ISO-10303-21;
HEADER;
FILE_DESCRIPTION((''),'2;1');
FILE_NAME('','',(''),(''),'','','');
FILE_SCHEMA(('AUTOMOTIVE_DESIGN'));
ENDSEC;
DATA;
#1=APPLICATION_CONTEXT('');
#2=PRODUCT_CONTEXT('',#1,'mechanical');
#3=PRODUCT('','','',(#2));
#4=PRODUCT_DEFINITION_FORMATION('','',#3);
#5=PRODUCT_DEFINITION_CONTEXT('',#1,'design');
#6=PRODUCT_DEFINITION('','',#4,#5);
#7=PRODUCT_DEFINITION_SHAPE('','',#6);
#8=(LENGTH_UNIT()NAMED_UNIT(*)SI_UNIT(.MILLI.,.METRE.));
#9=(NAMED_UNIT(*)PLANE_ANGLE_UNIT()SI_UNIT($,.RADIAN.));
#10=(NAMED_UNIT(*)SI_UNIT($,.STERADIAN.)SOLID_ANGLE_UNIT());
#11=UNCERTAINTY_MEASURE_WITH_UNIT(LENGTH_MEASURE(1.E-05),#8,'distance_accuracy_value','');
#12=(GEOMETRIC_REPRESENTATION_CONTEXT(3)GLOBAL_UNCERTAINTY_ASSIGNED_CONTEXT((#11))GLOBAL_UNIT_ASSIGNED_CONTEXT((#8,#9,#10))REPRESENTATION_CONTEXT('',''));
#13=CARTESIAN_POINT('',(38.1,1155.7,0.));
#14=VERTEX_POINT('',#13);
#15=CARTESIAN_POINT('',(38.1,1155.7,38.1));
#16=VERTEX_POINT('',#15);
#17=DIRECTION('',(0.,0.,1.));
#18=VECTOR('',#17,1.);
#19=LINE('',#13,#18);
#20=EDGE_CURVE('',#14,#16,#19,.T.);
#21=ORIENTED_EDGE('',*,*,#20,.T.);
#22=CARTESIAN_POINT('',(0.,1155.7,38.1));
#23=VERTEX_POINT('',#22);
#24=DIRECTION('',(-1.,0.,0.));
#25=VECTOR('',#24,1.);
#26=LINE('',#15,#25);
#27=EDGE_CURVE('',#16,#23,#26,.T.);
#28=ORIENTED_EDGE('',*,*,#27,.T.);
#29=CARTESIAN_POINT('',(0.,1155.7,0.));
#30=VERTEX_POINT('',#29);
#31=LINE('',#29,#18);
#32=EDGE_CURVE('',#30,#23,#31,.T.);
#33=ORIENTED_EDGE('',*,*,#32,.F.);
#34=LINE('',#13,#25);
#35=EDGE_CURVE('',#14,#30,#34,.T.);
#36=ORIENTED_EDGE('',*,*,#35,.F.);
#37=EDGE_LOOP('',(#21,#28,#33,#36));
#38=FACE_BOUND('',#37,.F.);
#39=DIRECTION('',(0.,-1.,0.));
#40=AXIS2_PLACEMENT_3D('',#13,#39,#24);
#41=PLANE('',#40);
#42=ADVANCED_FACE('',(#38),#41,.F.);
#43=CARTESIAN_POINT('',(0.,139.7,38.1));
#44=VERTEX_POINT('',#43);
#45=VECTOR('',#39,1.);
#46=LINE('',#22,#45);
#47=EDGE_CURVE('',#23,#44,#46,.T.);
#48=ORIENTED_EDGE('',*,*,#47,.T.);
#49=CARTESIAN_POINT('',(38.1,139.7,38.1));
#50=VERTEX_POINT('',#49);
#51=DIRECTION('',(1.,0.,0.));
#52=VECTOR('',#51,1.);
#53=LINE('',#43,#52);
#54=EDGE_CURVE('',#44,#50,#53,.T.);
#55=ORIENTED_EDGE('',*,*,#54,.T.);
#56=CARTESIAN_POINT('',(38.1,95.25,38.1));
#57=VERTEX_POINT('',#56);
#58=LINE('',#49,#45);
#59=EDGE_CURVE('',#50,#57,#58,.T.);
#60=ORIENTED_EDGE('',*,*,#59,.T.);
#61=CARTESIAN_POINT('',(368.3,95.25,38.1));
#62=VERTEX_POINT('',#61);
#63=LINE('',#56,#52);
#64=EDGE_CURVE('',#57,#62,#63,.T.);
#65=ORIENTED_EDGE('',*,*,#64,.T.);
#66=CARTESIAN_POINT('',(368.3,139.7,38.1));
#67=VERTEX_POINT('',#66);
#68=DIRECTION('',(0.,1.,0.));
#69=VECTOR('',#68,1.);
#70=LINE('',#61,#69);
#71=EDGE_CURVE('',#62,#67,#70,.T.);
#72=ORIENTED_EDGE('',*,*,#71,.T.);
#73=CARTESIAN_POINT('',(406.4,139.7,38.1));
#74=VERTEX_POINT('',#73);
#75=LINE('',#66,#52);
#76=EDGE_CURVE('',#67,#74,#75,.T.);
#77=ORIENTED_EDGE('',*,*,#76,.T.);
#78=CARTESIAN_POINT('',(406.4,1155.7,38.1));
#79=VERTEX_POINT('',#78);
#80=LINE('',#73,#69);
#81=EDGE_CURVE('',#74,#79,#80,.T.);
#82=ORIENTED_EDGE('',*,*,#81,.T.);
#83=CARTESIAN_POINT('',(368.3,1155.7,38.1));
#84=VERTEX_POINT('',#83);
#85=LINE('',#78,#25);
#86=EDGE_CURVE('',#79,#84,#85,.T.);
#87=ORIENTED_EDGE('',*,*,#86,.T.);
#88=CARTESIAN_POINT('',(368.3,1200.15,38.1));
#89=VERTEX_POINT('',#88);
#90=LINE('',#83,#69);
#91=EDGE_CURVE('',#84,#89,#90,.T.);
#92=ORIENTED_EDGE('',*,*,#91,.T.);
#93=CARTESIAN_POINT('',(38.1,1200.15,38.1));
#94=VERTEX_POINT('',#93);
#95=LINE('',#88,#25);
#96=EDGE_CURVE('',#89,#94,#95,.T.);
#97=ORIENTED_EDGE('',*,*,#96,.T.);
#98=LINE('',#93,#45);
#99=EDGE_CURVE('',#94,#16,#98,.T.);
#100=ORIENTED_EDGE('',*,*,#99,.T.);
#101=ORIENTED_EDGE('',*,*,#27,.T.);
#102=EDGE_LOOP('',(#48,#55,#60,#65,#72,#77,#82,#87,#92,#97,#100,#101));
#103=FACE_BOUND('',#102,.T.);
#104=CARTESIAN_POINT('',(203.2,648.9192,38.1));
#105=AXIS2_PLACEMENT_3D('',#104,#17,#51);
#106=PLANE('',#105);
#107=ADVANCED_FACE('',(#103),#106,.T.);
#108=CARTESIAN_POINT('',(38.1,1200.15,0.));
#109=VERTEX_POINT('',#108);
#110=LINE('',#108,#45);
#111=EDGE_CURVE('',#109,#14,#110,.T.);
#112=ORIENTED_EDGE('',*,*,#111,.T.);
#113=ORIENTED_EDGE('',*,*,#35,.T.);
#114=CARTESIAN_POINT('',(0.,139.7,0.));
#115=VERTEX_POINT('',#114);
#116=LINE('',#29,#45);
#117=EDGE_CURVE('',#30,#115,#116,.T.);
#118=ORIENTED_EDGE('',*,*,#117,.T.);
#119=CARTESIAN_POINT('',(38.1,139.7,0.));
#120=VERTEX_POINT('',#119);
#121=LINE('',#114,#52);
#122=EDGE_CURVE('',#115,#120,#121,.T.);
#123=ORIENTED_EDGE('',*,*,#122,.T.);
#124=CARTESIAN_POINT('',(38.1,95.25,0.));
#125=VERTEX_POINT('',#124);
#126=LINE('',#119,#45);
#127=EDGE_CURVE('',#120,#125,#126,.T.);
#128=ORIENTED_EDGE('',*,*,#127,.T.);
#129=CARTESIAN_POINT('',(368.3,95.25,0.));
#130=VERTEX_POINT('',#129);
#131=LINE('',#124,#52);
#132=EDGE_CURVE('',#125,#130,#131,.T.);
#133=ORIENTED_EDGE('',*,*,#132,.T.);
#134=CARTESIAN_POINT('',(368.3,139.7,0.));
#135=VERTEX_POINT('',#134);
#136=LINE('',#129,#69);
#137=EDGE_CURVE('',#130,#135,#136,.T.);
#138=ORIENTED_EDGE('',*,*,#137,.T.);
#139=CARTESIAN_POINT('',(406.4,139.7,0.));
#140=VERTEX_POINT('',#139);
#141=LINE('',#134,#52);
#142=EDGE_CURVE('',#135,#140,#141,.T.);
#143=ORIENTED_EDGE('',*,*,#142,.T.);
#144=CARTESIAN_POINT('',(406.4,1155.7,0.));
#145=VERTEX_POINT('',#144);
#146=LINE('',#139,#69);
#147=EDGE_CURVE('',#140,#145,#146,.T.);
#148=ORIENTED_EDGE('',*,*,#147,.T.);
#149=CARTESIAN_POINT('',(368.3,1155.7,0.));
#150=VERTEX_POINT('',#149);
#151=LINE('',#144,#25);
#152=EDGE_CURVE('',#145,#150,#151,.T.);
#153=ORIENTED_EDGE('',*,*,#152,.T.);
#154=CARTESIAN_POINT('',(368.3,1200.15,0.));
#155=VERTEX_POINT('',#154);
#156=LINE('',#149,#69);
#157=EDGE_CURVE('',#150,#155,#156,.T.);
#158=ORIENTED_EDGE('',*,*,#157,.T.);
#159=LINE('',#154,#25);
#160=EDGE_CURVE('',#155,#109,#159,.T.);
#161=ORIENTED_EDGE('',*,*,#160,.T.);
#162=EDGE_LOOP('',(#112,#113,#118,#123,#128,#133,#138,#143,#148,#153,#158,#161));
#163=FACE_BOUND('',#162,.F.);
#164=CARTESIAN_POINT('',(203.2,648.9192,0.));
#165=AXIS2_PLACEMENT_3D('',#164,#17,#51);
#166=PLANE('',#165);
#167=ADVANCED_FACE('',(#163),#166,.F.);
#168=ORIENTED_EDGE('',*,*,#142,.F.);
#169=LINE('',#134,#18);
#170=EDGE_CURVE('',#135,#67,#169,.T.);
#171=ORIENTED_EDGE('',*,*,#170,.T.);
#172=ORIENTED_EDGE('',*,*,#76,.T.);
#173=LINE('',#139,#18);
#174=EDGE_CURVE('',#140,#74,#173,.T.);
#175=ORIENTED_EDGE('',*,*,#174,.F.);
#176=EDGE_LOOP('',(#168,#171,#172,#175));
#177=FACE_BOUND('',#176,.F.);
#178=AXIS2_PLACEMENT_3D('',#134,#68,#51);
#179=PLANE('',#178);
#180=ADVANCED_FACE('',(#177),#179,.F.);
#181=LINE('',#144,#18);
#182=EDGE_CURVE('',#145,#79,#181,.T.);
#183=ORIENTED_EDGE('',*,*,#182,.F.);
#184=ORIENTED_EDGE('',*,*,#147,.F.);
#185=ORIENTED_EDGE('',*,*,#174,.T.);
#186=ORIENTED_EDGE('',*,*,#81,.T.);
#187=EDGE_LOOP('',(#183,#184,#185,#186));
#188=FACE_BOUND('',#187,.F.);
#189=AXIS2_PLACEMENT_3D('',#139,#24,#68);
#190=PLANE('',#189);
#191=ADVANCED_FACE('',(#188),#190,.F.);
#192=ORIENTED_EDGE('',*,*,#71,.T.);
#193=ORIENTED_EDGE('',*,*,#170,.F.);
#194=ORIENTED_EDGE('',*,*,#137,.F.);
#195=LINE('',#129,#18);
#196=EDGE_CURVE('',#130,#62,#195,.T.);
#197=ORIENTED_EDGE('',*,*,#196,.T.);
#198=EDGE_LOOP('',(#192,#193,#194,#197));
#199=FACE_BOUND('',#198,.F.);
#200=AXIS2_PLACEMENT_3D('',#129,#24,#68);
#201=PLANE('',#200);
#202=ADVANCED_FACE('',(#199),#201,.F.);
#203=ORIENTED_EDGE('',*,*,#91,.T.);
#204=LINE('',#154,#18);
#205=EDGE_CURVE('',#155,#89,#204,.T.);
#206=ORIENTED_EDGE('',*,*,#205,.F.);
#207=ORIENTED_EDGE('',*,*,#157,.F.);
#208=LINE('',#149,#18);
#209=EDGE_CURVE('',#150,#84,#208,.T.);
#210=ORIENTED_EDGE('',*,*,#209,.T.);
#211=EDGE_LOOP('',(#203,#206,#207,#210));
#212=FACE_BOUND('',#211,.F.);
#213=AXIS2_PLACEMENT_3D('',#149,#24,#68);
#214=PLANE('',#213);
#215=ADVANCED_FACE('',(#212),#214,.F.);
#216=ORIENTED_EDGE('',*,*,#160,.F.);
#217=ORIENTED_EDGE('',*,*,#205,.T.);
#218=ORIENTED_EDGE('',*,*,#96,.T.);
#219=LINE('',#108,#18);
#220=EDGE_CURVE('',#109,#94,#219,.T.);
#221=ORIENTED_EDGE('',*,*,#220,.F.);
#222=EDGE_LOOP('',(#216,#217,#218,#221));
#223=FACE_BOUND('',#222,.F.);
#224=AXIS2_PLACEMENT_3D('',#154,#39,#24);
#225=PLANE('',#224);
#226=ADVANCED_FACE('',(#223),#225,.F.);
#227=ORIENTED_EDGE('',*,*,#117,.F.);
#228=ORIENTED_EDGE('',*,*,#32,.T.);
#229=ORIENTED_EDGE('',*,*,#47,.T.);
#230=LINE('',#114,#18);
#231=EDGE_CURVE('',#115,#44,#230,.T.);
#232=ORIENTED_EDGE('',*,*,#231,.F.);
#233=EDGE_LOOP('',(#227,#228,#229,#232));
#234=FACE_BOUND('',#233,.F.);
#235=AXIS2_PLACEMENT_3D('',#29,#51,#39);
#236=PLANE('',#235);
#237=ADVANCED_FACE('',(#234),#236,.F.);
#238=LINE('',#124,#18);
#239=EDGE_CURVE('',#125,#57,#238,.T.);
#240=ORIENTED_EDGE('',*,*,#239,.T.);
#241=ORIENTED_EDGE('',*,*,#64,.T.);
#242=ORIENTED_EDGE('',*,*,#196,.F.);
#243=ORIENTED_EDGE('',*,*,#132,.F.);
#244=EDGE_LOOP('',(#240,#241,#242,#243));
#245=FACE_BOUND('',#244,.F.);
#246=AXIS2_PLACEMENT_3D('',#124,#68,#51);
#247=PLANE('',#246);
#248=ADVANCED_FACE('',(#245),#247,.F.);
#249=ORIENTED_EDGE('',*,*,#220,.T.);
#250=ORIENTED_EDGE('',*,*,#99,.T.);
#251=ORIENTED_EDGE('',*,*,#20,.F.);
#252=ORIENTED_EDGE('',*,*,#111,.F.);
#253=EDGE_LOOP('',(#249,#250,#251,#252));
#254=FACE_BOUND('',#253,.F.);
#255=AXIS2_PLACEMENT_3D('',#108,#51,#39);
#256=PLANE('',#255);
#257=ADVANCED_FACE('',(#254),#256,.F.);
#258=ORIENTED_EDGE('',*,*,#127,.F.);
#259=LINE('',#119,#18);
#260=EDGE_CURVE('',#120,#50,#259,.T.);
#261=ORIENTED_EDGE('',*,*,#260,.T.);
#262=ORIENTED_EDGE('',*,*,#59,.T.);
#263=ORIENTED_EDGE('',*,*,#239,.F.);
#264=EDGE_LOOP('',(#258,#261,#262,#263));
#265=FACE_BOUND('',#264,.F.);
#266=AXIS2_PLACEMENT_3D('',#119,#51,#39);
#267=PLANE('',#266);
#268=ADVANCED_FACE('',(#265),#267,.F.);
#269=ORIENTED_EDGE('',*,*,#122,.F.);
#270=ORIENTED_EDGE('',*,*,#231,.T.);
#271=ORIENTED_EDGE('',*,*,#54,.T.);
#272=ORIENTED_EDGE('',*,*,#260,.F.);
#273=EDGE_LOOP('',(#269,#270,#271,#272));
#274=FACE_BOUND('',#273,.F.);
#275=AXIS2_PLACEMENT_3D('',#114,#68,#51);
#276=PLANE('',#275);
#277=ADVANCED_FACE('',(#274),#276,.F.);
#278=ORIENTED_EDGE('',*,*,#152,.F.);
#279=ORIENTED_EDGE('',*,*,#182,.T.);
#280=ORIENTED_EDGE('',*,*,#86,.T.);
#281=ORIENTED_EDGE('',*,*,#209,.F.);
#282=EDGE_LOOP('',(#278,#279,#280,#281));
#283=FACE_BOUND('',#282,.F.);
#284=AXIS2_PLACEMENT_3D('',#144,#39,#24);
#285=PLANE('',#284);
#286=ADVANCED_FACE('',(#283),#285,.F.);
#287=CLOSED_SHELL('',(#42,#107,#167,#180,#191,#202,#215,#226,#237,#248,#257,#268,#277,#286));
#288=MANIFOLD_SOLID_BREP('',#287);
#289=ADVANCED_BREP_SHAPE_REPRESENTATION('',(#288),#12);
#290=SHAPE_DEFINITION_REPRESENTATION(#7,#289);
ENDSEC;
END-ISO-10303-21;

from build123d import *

# Parameters (mm, degrees)
F0_W     = 38.1
F0_H     = 88.9
F1_DEPTH = 38.1


with BuildPart() as f1:
    # F0 (on Top) → F1 (new body)
    with BuildSketch(Plane.XY):
        Polygon((0, 1155.7), (0, 717.55), (38.1, 717.55), (38.1, 628.65), (0, 628.65), (0, 139.7), (38.1, 139.7), (38.1, 95.25), (368.3, 95.25), (368.3, 139.7), (406.4, 139.7), (406.4, 628.65), (368.3, 628.65), (368.3, 717.55), (406.4, 717.55), (406.4, 1155.7), (368.3, 1155.7), (368.3, 1200.15), (38.1, 1200.15), (38.1, 1155.7), align=None)
        with Locations((19.05, 673.1)):
            Rectangle(F0_W, F0_H)
        with Locations((387.35, 673.1)):
            Rectangle(F0_W, F0_H)
    extrude(amount=F1_DEPTH)


solid = f1.part
